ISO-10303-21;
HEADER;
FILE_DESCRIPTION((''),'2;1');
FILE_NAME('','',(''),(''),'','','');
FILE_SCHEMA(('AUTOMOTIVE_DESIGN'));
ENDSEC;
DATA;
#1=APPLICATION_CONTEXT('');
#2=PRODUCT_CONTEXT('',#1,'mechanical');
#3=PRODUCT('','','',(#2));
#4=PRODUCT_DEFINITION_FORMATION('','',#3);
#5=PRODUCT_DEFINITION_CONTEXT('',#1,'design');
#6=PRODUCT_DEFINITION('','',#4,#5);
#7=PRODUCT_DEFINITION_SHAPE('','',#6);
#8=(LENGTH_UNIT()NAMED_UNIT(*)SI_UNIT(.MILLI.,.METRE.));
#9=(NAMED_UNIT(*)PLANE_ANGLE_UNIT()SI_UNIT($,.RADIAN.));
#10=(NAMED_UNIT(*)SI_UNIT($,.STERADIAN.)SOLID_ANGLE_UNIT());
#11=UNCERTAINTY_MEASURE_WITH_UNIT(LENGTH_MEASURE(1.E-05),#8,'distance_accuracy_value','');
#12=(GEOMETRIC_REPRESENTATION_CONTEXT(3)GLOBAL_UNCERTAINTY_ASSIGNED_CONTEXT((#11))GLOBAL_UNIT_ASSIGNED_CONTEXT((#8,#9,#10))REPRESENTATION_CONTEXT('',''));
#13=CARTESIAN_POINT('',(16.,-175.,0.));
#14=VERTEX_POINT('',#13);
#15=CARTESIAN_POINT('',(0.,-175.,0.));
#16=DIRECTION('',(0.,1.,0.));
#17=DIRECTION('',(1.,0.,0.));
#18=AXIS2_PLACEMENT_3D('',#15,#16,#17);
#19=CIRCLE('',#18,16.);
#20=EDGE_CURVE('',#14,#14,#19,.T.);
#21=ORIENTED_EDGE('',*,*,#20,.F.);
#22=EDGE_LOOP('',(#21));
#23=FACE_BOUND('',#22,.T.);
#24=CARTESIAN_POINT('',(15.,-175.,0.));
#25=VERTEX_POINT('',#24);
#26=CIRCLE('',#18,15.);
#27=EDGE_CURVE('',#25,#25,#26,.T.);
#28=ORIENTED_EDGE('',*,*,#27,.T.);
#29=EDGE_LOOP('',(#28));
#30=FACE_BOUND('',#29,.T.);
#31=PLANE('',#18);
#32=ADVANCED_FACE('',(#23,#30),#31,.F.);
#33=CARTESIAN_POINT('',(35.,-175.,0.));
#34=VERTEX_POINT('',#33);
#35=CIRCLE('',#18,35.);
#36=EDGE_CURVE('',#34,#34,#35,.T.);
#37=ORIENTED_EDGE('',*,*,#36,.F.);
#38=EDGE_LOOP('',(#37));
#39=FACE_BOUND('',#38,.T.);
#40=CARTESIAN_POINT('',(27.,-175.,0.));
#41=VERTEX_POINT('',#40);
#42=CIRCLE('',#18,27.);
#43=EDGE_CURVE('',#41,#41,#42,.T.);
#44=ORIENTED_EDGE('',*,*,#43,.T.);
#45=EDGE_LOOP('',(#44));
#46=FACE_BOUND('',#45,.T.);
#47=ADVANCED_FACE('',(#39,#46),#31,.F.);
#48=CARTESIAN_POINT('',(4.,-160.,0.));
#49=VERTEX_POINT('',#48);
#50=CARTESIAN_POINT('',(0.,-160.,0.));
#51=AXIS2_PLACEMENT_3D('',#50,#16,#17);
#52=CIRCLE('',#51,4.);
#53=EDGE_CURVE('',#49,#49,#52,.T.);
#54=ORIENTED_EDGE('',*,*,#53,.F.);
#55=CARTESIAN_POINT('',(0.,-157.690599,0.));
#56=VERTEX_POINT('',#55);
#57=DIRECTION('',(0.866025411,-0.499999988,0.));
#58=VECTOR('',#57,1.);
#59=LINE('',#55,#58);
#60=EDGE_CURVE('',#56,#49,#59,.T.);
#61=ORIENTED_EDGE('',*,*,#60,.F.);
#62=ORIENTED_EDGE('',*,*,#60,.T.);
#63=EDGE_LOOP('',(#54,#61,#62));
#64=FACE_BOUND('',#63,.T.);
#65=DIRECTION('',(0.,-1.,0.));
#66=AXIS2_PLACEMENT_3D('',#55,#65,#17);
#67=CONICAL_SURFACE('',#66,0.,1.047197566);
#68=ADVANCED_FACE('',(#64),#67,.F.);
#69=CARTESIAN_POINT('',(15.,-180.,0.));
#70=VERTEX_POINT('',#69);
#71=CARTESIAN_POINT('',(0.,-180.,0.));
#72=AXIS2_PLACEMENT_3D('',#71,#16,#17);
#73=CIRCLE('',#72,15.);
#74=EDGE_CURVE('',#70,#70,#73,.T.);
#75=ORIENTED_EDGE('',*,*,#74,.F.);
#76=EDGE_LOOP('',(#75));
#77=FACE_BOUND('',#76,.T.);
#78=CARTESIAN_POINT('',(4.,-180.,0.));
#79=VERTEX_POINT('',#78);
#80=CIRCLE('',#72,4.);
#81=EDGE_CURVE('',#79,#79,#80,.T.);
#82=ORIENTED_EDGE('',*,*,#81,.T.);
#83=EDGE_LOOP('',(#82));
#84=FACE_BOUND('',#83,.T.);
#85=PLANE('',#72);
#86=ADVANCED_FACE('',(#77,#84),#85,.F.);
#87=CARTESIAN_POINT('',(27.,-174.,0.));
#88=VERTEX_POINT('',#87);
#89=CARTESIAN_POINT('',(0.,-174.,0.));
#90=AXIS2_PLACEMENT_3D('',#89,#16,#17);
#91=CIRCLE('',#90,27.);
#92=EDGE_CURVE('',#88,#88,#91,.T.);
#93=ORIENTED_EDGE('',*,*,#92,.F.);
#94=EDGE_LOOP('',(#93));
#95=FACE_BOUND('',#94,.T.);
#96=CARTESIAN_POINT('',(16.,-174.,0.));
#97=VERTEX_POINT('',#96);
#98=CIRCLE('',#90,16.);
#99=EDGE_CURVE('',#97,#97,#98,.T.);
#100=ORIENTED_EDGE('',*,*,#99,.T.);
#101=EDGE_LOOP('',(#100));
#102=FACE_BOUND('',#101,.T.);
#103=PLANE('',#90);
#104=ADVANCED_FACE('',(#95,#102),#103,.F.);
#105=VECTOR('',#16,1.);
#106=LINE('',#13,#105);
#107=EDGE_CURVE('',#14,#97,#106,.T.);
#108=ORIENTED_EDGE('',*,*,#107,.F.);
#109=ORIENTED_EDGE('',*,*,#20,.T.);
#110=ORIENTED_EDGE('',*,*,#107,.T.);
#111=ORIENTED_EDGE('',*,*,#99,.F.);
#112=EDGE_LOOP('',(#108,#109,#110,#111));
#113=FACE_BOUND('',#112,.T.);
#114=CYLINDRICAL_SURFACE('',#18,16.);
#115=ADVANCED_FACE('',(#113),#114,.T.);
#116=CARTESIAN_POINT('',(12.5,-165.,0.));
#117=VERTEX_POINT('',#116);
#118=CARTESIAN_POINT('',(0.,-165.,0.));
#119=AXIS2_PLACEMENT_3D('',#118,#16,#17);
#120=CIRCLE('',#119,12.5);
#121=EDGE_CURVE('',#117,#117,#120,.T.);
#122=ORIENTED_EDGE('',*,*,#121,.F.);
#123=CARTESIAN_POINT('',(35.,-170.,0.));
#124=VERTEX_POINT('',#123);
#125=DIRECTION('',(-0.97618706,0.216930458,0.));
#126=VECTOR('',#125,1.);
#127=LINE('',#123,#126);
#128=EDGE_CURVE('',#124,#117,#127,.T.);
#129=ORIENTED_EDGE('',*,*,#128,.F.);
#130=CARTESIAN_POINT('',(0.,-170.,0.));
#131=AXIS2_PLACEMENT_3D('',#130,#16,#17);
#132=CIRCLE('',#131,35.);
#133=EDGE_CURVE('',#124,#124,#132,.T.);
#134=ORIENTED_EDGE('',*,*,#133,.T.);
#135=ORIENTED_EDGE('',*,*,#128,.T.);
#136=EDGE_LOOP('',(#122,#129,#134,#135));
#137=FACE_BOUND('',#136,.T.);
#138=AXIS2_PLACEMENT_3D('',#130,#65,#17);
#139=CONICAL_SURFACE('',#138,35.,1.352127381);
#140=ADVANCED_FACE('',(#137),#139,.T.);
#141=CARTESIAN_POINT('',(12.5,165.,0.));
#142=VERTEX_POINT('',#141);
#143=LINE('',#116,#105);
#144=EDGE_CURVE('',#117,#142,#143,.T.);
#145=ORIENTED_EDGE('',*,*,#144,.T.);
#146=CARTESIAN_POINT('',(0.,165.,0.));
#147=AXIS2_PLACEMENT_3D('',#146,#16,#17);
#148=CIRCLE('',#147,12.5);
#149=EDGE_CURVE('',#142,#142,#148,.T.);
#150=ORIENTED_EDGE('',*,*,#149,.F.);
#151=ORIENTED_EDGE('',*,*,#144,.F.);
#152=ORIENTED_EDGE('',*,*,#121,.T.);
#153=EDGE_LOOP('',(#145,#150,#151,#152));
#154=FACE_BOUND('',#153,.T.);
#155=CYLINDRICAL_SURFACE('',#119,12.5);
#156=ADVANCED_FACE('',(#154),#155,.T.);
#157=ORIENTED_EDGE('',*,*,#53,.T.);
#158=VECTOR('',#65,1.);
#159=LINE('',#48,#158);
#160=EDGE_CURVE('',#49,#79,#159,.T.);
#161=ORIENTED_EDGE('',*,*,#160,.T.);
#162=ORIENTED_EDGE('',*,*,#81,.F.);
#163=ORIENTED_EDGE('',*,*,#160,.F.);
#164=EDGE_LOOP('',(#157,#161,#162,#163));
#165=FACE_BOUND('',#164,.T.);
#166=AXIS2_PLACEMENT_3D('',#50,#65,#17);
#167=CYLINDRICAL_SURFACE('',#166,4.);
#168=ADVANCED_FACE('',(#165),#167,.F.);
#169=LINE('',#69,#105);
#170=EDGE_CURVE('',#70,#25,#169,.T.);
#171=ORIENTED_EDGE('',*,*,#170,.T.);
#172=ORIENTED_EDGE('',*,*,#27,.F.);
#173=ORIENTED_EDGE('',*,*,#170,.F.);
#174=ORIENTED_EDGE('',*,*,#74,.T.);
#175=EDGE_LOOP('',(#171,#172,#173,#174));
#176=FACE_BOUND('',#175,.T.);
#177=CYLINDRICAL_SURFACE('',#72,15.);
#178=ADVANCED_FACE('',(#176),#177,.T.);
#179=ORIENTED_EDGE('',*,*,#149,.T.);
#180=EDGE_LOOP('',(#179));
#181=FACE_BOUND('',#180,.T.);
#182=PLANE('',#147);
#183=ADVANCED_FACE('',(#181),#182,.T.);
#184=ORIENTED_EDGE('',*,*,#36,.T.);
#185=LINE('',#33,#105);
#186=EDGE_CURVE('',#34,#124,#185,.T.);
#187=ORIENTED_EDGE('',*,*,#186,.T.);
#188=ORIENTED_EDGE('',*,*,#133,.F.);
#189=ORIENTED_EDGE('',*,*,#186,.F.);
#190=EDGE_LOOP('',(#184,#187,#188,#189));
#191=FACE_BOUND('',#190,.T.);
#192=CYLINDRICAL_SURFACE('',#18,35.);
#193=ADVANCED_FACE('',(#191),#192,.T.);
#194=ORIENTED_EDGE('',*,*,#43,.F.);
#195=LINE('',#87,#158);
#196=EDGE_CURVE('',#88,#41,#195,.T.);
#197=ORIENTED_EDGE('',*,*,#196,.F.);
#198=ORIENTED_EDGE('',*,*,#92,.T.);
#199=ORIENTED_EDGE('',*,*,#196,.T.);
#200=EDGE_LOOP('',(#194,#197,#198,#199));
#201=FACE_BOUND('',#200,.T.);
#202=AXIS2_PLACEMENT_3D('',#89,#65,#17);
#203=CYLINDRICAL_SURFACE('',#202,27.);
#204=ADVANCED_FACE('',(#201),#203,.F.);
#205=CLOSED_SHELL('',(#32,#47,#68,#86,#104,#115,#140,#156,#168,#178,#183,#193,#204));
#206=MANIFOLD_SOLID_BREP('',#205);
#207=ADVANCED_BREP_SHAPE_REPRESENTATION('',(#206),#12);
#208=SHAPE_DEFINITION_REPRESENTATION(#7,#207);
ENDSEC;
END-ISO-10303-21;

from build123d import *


with BuildPart() as f1:
    # F0 (on Top) → F1 (revolve)
    with BuildSketch(Plane.XY):
        Polygon((12.5, -165), (4, -165), (4, -180), (15, -180), (15, -175), (16, -175), (16, -174), (27, -174), (27, -175), (35, -175), (35, -170), align=None)
        Polygon((4, -160), (4, -165), (12.5, -165), (12.5, 165), (0, 165), (0, -157.690599), align=None)
    revolve(axis=Axis((0, 0, 0), (0, 1, 0)))


solid = f1.part
